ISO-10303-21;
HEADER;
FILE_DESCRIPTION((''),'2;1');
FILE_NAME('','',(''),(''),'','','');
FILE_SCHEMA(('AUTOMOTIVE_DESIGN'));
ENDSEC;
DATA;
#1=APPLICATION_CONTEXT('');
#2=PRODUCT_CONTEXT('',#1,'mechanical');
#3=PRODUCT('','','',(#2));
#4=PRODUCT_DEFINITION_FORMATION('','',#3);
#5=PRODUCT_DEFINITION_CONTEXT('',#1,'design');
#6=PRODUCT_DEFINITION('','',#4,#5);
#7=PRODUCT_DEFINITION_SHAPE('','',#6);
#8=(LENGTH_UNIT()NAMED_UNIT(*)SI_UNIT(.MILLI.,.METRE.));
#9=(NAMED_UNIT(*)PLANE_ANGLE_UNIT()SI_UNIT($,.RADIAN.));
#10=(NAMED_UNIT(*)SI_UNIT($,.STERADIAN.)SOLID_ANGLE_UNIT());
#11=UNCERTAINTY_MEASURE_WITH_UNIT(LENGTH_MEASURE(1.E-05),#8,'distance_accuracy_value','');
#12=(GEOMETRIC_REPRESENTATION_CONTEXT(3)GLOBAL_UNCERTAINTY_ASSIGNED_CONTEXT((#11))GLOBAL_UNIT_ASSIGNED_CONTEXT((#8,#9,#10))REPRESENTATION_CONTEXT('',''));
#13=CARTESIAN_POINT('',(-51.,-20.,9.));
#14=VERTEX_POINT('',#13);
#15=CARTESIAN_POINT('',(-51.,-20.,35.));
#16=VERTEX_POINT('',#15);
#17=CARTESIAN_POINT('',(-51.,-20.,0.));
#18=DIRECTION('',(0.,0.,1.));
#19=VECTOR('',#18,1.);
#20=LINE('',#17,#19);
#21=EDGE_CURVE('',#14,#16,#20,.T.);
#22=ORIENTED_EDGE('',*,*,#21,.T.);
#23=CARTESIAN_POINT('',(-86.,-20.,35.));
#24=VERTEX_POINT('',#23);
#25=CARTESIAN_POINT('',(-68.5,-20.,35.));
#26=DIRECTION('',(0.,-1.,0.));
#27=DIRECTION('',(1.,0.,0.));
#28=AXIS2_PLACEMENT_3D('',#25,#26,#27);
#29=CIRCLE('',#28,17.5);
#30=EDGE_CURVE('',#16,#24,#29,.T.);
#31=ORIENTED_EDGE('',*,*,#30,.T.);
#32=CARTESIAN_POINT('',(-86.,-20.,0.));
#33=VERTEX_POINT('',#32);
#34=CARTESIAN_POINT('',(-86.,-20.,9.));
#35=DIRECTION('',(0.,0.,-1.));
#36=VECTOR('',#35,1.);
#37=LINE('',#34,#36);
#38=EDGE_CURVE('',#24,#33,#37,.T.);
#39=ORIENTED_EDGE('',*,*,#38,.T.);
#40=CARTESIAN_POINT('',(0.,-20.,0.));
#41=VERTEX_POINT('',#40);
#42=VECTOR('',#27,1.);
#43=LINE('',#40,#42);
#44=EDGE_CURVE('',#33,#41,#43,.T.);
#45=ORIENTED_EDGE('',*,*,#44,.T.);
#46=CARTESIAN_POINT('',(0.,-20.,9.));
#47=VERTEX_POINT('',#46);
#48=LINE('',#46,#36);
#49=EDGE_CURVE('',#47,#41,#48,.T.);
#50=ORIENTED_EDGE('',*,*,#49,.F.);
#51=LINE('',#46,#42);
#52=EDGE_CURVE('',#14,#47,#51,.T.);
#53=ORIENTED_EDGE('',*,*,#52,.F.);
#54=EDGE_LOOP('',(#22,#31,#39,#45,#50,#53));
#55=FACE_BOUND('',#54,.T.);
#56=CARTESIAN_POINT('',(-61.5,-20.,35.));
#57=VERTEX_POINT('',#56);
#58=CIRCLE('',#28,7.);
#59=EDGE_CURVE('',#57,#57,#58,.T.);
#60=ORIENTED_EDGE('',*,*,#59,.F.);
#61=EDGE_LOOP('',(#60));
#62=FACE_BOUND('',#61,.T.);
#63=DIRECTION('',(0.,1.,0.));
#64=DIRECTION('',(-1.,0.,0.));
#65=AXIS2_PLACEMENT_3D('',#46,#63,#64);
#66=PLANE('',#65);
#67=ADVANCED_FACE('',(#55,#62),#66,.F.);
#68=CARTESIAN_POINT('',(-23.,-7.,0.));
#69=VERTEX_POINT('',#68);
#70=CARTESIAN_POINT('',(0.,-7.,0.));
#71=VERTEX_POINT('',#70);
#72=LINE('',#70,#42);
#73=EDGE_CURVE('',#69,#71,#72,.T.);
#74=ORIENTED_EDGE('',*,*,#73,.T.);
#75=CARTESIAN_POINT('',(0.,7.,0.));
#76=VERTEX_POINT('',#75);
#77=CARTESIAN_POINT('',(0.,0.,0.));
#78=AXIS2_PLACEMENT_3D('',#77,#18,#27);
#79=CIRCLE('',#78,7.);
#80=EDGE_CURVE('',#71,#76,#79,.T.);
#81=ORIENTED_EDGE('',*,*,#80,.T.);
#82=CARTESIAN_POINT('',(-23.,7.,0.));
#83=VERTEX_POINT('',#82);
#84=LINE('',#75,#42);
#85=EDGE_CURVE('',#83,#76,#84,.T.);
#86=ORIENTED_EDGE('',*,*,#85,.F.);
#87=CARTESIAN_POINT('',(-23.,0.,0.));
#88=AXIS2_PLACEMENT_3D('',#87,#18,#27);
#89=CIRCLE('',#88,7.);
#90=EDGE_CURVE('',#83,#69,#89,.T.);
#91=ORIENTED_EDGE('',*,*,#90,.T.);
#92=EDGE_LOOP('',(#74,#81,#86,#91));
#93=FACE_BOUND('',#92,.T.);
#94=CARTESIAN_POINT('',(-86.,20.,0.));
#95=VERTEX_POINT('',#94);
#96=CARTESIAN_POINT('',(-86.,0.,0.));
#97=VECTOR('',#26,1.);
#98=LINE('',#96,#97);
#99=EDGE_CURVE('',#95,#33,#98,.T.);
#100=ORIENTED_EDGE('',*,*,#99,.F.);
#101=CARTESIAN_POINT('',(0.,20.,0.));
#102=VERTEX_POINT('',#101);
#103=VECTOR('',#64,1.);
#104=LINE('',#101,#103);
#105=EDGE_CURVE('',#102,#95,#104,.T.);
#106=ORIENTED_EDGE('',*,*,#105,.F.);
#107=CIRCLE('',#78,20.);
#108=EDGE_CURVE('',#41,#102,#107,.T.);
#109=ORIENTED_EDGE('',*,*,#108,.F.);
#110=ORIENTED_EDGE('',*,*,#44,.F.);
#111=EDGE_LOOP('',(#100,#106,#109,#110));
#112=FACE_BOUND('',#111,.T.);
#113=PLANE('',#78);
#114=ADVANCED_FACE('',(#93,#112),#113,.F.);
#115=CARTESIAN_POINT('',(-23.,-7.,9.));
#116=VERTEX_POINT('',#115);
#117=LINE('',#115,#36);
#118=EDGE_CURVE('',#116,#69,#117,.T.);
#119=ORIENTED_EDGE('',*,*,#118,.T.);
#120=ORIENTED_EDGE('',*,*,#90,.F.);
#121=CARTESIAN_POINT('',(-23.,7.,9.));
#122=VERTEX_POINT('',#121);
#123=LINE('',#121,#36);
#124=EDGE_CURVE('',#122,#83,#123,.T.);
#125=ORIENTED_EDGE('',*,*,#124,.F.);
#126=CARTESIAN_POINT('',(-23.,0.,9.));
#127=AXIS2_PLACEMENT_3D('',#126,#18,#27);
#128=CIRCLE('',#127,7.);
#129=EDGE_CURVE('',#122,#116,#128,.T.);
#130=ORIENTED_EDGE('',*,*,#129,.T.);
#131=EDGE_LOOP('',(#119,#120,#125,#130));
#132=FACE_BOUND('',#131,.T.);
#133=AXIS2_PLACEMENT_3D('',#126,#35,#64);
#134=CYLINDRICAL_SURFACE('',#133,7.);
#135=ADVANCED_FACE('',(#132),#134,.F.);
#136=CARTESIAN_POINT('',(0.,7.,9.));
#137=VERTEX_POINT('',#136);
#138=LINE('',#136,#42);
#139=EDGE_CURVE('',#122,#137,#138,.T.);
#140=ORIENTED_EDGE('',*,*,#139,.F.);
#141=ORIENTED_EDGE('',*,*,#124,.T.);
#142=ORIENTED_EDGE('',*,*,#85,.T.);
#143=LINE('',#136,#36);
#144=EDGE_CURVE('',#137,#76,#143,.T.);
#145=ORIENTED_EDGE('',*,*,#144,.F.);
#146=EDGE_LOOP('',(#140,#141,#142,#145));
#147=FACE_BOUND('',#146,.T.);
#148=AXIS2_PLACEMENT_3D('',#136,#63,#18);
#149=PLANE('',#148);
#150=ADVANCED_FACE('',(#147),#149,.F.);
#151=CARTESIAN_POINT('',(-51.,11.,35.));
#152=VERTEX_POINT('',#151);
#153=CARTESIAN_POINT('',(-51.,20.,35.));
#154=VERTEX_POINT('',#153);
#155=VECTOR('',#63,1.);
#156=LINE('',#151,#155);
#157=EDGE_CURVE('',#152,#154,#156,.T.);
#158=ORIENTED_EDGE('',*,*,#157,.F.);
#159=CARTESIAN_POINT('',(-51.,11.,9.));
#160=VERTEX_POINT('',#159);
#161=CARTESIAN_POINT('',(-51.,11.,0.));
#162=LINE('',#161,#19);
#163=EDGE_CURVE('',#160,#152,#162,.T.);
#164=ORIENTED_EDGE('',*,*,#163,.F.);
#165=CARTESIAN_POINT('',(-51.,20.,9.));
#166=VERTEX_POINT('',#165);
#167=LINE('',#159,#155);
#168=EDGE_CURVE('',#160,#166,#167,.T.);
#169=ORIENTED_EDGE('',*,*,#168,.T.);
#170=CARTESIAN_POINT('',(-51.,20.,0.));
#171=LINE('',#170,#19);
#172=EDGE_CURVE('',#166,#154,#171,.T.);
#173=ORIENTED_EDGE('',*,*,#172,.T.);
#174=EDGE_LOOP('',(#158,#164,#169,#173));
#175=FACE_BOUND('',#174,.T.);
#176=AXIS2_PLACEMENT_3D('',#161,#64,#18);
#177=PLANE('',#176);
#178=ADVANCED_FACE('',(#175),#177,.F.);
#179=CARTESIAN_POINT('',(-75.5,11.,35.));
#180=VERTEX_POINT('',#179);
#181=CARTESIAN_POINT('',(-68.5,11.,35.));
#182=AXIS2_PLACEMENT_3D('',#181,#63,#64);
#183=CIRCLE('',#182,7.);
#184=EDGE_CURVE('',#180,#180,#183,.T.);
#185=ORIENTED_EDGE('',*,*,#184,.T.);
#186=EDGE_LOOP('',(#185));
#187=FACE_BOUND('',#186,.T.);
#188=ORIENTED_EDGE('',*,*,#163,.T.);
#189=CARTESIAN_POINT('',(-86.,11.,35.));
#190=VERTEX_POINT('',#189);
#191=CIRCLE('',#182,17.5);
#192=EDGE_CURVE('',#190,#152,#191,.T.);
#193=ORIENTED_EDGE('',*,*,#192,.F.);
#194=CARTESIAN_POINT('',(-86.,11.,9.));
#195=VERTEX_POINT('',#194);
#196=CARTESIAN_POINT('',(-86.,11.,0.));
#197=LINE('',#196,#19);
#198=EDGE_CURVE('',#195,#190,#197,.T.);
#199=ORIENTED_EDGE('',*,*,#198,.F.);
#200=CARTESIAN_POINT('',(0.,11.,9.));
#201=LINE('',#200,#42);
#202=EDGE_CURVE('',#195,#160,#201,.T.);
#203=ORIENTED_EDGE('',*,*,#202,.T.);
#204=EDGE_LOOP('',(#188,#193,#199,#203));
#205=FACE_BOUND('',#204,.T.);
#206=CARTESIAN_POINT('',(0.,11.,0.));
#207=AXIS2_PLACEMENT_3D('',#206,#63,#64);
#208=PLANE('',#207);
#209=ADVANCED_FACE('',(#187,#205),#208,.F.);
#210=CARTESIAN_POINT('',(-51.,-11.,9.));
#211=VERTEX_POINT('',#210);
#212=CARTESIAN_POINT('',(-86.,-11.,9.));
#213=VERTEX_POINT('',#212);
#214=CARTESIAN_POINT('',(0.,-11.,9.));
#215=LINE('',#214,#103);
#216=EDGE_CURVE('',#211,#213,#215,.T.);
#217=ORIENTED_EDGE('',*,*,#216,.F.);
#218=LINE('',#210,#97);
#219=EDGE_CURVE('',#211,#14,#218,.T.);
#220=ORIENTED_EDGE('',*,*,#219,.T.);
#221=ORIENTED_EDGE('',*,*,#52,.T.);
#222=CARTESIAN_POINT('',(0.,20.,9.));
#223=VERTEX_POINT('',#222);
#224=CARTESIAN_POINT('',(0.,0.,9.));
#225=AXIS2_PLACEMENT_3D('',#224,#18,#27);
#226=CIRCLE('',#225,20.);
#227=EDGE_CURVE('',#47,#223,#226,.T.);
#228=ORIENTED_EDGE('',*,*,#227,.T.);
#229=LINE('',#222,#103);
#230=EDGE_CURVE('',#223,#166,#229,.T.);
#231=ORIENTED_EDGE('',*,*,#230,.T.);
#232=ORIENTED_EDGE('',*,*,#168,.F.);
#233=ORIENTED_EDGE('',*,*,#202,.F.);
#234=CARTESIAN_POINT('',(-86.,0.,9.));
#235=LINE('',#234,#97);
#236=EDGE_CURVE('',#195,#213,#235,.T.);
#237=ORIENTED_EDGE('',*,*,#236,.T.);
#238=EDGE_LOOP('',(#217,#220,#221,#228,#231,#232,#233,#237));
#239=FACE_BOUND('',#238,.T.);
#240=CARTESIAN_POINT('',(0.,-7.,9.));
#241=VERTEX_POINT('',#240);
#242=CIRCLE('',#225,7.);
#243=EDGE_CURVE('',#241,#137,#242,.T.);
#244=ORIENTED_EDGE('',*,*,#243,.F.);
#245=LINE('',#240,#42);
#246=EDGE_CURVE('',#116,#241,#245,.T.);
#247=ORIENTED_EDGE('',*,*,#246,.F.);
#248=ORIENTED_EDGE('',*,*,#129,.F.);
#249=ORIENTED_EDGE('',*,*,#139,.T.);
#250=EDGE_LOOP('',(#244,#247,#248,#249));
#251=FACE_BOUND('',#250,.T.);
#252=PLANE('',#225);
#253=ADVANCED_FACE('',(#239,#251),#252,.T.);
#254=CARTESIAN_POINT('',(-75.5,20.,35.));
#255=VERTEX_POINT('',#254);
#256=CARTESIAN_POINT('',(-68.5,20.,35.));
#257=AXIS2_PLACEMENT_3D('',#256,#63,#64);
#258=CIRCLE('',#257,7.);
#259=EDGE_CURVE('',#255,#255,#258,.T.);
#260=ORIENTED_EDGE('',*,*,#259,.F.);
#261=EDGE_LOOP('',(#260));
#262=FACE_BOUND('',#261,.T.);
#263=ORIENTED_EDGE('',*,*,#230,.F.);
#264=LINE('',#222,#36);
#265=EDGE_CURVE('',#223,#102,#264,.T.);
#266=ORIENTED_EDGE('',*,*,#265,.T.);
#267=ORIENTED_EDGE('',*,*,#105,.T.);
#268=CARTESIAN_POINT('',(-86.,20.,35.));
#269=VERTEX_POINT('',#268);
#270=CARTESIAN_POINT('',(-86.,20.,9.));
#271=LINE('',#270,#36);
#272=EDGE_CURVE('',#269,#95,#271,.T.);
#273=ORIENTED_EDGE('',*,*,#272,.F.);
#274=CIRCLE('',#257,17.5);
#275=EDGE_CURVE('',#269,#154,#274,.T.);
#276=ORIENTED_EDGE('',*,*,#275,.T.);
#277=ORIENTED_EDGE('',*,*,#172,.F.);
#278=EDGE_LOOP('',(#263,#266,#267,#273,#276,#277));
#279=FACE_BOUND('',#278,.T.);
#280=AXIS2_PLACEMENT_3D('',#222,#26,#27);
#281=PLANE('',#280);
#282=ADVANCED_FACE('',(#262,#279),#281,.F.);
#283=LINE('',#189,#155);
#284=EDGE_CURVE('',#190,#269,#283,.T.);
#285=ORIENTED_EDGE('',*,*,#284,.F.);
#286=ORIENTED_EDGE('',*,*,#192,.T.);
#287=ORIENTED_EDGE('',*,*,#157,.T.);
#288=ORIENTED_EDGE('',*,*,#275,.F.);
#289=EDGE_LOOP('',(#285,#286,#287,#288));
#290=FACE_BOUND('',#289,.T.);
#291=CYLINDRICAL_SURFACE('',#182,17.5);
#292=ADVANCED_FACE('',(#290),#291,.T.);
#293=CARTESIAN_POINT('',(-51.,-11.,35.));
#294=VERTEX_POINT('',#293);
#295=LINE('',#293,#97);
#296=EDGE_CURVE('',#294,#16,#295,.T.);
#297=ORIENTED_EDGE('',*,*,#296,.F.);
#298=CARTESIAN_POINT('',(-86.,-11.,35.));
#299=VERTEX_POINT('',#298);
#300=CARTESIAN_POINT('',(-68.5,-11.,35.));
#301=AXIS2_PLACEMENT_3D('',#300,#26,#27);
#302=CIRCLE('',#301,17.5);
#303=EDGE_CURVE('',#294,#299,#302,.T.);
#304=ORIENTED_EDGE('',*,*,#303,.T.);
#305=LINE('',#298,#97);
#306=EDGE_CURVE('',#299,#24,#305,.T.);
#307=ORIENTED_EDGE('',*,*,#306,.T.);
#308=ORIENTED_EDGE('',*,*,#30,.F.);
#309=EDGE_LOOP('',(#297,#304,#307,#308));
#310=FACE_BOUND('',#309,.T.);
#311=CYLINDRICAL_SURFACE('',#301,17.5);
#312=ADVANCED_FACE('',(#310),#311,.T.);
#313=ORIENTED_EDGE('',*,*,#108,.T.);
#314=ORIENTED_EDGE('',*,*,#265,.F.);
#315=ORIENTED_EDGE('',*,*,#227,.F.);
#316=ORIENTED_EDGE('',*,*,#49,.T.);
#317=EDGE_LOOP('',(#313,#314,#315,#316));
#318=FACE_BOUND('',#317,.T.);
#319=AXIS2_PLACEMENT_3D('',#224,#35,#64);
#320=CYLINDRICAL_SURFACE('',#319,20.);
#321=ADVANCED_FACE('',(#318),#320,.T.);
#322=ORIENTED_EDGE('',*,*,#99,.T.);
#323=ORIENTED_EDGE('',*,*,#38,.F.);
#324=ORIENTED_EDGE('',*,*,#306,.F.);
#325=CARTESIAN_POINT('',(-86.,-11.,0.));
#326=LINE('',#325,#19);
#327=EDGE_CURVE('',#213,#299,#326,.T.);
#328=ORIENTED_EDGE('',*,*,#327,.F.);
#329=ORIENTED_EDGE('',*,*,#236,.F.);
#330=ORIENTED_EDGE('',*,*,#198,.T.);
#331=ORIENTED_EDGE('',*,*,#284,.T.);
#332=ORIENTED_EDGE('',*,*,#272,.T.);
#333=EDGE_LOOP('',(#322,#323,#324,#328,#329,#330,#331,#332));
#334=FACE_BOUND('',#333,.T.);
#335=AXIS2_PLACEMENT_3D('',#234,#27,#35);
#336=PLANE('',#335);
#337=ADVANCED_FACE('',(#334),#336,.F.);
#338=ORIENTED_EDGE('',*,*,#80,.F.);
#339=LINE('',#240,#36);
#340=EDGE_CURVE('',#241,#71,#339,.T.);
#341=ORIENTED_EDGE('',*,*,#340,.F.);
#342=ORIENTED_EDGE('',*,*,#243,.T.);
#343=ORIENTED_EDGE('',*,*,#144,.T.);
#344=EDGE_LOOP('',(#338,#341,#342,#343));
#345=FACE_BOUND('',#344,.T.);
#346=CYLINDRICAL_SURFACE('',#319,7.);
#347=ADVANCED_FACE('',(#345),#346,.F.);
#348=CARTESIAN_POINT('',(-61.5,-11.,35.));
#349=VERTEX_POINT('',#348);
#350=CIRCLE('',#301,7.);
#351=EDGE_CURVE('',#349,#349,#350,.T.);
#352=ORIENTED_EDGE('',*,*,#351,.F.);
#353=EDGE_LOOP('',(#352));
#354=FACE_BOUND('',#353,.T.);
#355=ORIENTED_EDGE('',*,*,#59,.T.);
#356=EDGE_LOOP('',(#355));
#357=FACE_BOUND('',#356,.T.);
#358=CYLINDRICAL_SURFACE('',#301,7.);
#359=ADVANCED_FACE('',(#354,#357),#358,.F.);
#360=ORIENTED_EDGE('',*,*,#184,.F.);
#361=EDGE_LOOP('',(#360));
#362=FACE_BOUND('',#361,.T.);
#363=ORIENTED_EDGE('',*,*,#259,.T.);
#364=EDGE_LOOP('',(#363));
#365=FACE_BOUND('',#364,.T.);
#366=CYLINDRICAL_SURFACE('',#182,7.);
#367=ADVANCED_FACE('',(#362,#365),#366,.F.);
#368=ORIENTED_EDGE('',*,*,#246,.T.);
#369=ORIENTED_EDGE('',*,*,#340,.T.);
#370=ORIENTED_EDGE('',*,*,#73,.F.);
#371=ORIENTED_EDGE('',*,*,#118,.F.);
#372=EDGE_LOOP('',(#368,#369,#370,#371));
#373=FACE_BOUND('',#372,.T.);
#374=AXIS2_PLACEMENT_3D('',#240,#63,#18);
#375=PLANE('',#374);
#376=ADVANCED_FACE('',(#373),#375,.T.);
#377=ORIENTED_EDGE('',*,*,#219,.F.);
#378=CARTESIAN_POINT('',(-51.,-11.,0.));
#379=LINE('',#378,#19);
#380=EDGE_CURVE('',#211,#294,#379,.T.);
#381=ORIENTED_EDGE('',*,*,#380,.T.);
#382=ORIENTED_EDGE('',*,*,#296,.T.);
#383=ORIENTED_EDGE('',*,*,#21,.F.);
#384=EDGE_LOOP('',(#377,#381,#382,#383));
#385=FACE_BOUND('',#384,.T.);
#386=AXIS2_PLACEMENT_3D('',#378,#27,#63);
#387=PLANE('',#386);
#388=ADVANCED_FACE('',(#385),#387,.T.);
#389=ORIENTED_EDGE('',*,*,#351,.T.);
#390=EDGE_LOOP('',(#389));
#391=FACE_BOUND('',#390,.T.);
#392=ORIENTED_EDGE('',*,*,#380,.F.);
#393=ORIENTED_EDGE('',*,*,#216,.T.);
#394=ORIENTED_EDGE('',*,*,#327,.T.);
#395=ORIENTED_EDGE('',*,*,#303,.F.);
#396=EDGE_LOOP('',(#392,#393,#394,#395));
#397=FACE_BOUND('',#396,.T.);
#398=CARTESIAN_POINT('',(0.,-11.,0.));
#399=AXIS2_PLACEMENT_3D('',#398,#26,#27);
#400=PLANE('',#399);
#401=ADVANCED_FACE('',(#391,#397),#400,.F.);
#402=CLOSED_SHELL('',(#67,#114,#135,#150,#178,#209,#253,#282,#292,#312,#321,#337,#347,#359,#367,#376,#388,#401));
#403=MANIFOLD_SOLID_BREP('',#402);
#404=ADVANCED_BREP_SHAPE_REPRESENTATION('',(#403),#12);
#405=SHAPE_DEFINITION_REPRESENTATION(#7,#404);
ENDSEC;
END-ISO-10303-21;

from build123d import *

# Parameters (mm, degrees)
DODANIE_WYCI_GNI_CIE1_DEPTH = 9
SZKIC3_R                    = 17.5
SZKIC3_R_2                  = 7
DODANIE_WYCI_GNI_CIE2_DEPTH = 9
DODANIE_WYCI_GNI_CIE3_START = -9
SZKIC4_R                    = 17.5
SZKIC4_R_2                  = 7
DODANIE_WYCI_GNI_CIE3_DEPTH = 9


with BuildPart() as part:
    # Szkic1 → Dodanie-wyciągnięcie1 (new body)
    with BuildSketch(Plane.XY):
        with BuildLine():
            Line((0, 20), (-86, 20))
            Line((-86, 20), (-86, -20))
            Line((-86, -20), (0, -20))
            ThreePointArc((0, -20), (20, 0), (0, 20))
        make_face()
        with BuildLine():
            ThreePointArc((-23, -7), (-30, 0), (-23, 7))
            Line((-23, 7), (0, 7))
            ThreePointArc((0, 7), (4.949747468, 4.949747468), (7, 0))
            ThreePointArc((7, 0), (4.949747468, -4.949747468), (0, -7))
            Line((0, -7), (-23, -7))
        make_face(mode=Mode.SUBTRACT)
    extrude(amount=DODANIE_WYCI_GNI_CIE1_DEPTH)

    # Szkic3 → Dodanie-wyciągnięcie2 (add)
    # profile 1 of 2: a face of its own
    with BuildSketch(Plane.XZ.offset(20)):
        with Locations((-68.5, 35)):
            Circle(SZKIC3_R)
        with Locations((-68.5, 35)):
            Circle(SZKIC3_R_2, mode=Mode.SUBTRACT)
    # profile 2 of 2: a face of its own
    with BuildSketch(Plane.XZ.offset(20)):
        with BuildLine():
            Line((-86, 35), (-86, 9))
            Line((-86, 9), (-51, 9))
            Line((-51, 9), (-51, 35))
            ThreePointArc((-51, 35), (-68.5, 17.5), (-86, 35))
        make_face()
    extrude(amount=-DODANIE_WYCI_GNI_CIE2_DEPTH)

    # Szkic4 → Dodanie-wyciągnięcie3 (add)
    # profile 1 of 2: a face of its own
    with BuildSketch(Plane(origin=(0, 20, 0), x_dir=(1, 0, 0), z_dir=(0, 1, 0)).offset(DODANIE_WYCI_GNI_CIE3_START)):
        with BuildLine():
            Line((-51, -9), (-86, -9))
            Line((-86, -9), (-86, -35))
            ThreePointArc((-86, -35), (-68.5, -17.5), (-51, -35))
            Line((-51, -35), (-51, -9))
        make_face()
    # profile 2 of 2: a face of its own
    with BuildSketch(Plane(origin=(0, 20, 0), x_dir=(1, 0, 0), z_dir=(0, 1, 0)).offset(DODANIE_WYCI_GNI_CIE3_START)):
        with Locations((-68.5, -35)):
            Circle(SZKIC4_R)
        with Locations((-68.5, -35)):
            Circle(SZKIC4_R_2, mode=Mode.SUBTRACT)
    extrude(amount=DODANIE_WYCI_GNI_CIE3_DEPTH)


solid = part.part
